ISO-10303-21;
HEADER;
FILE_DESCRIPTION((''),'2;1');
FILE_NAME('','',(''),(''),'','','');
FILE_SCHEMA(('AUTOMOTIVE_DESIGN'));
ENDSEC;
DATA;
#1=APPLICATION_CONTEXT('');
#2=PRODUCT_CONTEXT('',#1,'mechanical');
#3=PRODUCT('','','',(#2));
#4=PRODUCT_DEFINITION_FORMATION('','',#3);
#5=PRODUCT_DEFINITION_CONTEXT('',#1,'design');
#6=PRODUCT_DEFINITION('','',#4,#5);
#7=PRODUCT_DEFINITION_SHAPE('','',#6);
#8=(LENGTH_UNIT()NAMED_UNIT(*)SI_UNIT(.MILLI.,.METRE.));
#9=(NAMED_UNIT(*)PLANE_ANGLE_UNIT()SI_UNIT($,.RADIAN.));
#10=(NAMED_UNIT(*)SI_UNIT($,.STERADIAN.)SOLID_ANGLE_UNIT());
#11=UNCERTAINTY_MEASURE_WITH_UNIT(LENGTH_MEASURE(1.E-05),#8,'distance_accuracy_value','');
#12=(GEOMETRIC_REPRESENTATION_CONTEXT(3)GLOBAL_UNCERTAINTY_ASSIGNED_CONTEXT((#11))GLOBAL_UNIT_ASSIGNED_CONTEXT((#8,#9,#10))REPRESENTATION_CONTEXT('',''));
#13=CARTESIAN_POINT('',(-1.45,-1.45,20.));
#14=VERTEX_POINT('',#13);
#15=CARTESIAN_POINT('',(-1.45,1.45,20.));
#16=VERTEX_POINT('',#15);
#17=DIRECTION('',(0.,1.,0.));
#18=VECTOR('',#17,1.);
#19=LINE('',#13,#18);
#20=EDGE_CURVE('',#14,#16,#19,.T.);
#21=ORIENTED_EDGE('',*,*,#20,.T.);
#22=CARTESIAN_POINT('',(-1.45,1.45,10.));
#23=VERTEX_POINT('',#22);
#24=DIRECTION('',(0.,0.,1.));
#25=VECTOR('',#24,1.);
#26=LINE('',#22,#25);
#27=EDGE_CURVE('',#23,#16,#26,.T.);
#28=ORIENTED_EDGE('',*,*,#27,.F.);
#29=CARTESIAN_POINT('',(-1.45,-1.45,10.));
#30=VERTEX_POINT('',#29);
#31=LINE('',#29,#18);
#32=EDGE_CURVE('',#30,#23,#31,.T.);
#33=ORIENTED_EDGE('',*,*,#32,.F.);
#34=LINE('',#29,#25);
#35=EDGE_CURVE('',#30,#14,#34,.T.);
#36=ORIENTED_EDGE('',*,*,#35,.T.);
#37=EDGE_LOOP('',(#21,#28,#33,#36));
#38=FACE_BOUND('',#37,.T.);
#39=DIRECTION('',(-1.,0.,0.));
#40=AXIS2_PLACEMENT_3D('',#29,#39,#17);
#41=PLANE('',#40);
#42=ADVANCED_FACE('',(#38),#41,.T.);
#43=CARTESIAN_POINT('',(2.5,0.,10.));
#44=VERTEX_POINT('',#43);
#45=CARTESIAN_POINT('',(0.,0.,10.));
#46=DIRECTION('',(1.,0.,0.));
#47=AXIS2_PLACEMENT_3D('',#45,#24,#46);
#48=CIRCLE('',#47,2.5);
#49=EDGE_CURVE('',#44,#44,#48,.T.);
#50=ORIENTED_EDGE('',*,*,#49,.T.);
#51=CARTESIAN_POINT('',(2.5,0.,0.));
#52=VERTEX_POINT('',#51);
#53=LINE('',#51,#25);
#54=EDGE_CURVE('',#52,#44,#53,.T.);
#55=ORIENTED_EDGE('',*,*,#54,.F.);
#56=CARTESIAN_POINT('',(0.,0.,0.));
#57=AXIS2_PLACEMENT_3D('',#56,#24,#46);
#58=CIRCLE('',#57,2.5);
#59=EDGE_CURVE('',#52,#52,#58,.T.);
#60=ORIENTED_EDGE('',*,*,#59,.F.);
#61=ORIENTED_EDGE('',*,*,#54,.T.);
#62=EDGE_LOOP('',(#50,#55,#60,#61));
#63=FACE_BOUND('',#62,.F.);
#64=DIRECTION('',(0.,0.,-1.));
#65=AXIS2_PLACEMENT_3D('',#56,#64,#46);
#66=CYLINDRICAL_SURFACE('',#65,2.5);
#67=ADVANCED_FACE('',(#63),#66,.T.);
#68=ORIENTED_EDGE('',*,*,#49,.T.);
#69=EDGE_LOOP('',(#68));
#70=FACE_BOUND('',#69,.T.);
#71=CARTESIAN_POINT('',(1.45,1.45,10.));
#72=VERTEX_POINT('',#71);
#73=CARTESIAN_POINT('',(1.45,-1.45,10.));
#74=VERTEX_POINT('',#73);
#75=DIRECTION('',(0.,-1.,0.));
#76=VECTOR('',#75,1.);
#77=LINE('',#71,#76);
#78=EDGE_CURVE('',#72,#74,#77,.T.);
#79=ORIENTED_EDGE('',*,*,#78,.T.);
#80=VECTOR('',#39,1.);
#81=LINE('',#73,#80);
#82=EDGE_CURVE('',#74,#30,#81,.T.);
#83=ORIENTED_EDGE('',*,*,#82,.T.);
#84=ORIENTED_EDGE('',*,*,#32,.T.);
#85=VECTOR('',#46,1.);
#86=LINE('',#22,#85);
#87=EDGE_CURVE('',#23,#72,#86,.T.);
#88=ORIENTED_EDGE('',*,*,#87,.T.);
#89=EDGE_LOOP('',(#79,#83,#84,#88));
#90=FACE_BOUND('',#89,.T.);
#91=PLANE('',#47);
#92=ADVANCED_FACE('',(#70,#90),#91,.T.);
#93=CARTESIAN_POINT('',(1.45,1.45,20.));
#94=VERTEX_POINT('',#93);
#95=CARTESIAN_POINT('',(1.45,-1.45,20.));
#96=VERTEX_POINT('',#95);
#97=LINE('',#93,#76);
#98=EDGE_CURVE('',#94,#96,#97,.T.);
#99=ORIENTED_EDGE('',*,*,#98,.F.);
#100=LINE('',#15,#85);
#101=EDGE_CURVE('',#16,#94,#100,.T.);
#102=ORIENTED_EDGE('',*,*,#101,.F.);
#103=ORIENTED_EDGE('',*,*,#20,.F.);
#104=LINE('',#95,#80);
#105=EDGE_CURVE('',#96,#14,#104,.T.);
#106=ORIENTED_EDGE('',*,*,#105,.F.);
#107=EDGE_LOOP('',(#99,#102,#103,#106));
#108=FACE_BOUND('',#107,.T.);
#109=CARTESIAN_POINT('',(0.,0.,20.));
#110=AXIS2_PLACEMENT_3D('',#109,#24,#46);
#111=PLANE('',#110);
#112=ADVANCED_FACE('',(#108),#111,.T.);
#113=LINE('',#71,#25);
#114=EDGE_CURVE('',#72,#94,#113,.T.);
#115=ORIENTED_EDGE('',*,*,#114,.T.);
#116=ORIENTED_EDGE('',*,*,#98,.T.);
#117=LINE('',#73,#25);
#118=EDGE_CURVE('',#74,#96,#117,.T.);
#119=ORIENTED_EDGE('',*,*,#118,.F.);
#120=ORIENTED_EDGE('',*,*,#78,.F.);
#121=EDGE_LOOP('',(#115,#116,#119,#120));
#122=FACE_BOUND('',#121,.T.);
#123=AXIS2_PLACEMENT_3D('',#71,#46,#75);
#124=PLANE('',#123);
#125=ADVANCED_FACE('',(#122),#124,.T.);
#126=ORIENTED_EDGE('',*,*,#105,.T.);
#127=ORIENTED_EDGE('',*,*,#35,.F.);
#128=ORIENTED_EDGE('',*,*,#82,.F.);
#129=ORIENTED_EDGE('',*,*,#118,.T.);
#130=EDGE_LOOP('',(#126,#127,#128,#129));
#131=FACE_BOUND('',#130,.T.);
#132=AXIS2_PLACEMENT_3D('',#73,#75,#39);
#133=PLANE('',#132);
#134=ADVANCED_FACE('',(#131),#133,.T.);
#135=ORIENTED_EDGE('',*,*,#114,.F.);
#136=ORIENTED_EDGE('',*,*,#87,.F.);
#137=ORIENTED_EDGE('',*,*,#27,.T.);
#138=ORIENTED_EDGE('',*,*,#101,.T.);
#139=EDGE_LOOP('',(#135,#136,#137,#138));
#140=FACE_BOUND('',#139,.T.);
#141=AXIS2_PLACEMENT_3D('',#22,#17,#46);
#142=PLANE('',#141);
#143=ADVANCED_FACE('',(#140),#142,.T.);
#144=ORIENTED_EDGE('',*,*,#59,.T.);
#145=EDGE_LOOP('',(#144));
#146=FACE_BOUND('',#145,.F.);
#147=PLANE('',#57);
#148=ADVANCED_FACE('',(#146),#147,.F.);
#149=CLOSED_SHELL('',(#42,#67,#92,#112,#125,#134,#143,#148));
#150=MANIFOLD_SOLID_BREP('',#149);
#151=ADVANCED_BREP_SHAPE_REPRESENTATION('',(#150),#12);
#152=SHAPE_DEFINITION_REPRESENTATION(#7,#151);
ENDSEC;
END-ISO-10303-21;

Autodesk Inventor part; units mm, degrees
ref_plane "YZ Plane" through (0, 0, 0) normal (1, 0, 0) x (0, 1, 0)
ref_plane "XZ Plane" through (0, 0, 0) normal (0, 1, 0) x (-1, 0, 0)
ref_plane "XY Plane" through (0, 0, 0) normal (0, 0, 1) x (1, 0, 0)
sketch "Sketch1" plane through (0, 0, 0) normal (0, 0, 1) x (1, 0, 0)
  circle A0 centre (0, 0) radius 2.5
  dimension "d0" = 5
extrude "Extrusion1" add sketch "Sketch1" along normal blind 10
sketch "Sketch2" plane through (0, 0, 10) normal (0, 0, 1) x (1, 0, 0)
  line L0 (-1.45, 1.45) -> (1.45, 1.45)
  line L1 (1.45, 1.45) -> (1.45, -1.45)
  line L2 (1.45, -1.45) -> (-1.45, -1.45)
  line L3 (-1.45, -1.45) -> (-1.45, 1.45)
  line L4 (-1.45, 1.45) -> (1.45, -1.45) construction
  line L5 (1.45, 1.45) -> (-1.45, -1.45) construction
  point P0 (0, 0)
  dimension "d3" = 2.9
extrude "Extrusion2" add sketch "Sketch2" along normal blind 10
properties part number "MINI Stepper Shaft ( Pinion )"
